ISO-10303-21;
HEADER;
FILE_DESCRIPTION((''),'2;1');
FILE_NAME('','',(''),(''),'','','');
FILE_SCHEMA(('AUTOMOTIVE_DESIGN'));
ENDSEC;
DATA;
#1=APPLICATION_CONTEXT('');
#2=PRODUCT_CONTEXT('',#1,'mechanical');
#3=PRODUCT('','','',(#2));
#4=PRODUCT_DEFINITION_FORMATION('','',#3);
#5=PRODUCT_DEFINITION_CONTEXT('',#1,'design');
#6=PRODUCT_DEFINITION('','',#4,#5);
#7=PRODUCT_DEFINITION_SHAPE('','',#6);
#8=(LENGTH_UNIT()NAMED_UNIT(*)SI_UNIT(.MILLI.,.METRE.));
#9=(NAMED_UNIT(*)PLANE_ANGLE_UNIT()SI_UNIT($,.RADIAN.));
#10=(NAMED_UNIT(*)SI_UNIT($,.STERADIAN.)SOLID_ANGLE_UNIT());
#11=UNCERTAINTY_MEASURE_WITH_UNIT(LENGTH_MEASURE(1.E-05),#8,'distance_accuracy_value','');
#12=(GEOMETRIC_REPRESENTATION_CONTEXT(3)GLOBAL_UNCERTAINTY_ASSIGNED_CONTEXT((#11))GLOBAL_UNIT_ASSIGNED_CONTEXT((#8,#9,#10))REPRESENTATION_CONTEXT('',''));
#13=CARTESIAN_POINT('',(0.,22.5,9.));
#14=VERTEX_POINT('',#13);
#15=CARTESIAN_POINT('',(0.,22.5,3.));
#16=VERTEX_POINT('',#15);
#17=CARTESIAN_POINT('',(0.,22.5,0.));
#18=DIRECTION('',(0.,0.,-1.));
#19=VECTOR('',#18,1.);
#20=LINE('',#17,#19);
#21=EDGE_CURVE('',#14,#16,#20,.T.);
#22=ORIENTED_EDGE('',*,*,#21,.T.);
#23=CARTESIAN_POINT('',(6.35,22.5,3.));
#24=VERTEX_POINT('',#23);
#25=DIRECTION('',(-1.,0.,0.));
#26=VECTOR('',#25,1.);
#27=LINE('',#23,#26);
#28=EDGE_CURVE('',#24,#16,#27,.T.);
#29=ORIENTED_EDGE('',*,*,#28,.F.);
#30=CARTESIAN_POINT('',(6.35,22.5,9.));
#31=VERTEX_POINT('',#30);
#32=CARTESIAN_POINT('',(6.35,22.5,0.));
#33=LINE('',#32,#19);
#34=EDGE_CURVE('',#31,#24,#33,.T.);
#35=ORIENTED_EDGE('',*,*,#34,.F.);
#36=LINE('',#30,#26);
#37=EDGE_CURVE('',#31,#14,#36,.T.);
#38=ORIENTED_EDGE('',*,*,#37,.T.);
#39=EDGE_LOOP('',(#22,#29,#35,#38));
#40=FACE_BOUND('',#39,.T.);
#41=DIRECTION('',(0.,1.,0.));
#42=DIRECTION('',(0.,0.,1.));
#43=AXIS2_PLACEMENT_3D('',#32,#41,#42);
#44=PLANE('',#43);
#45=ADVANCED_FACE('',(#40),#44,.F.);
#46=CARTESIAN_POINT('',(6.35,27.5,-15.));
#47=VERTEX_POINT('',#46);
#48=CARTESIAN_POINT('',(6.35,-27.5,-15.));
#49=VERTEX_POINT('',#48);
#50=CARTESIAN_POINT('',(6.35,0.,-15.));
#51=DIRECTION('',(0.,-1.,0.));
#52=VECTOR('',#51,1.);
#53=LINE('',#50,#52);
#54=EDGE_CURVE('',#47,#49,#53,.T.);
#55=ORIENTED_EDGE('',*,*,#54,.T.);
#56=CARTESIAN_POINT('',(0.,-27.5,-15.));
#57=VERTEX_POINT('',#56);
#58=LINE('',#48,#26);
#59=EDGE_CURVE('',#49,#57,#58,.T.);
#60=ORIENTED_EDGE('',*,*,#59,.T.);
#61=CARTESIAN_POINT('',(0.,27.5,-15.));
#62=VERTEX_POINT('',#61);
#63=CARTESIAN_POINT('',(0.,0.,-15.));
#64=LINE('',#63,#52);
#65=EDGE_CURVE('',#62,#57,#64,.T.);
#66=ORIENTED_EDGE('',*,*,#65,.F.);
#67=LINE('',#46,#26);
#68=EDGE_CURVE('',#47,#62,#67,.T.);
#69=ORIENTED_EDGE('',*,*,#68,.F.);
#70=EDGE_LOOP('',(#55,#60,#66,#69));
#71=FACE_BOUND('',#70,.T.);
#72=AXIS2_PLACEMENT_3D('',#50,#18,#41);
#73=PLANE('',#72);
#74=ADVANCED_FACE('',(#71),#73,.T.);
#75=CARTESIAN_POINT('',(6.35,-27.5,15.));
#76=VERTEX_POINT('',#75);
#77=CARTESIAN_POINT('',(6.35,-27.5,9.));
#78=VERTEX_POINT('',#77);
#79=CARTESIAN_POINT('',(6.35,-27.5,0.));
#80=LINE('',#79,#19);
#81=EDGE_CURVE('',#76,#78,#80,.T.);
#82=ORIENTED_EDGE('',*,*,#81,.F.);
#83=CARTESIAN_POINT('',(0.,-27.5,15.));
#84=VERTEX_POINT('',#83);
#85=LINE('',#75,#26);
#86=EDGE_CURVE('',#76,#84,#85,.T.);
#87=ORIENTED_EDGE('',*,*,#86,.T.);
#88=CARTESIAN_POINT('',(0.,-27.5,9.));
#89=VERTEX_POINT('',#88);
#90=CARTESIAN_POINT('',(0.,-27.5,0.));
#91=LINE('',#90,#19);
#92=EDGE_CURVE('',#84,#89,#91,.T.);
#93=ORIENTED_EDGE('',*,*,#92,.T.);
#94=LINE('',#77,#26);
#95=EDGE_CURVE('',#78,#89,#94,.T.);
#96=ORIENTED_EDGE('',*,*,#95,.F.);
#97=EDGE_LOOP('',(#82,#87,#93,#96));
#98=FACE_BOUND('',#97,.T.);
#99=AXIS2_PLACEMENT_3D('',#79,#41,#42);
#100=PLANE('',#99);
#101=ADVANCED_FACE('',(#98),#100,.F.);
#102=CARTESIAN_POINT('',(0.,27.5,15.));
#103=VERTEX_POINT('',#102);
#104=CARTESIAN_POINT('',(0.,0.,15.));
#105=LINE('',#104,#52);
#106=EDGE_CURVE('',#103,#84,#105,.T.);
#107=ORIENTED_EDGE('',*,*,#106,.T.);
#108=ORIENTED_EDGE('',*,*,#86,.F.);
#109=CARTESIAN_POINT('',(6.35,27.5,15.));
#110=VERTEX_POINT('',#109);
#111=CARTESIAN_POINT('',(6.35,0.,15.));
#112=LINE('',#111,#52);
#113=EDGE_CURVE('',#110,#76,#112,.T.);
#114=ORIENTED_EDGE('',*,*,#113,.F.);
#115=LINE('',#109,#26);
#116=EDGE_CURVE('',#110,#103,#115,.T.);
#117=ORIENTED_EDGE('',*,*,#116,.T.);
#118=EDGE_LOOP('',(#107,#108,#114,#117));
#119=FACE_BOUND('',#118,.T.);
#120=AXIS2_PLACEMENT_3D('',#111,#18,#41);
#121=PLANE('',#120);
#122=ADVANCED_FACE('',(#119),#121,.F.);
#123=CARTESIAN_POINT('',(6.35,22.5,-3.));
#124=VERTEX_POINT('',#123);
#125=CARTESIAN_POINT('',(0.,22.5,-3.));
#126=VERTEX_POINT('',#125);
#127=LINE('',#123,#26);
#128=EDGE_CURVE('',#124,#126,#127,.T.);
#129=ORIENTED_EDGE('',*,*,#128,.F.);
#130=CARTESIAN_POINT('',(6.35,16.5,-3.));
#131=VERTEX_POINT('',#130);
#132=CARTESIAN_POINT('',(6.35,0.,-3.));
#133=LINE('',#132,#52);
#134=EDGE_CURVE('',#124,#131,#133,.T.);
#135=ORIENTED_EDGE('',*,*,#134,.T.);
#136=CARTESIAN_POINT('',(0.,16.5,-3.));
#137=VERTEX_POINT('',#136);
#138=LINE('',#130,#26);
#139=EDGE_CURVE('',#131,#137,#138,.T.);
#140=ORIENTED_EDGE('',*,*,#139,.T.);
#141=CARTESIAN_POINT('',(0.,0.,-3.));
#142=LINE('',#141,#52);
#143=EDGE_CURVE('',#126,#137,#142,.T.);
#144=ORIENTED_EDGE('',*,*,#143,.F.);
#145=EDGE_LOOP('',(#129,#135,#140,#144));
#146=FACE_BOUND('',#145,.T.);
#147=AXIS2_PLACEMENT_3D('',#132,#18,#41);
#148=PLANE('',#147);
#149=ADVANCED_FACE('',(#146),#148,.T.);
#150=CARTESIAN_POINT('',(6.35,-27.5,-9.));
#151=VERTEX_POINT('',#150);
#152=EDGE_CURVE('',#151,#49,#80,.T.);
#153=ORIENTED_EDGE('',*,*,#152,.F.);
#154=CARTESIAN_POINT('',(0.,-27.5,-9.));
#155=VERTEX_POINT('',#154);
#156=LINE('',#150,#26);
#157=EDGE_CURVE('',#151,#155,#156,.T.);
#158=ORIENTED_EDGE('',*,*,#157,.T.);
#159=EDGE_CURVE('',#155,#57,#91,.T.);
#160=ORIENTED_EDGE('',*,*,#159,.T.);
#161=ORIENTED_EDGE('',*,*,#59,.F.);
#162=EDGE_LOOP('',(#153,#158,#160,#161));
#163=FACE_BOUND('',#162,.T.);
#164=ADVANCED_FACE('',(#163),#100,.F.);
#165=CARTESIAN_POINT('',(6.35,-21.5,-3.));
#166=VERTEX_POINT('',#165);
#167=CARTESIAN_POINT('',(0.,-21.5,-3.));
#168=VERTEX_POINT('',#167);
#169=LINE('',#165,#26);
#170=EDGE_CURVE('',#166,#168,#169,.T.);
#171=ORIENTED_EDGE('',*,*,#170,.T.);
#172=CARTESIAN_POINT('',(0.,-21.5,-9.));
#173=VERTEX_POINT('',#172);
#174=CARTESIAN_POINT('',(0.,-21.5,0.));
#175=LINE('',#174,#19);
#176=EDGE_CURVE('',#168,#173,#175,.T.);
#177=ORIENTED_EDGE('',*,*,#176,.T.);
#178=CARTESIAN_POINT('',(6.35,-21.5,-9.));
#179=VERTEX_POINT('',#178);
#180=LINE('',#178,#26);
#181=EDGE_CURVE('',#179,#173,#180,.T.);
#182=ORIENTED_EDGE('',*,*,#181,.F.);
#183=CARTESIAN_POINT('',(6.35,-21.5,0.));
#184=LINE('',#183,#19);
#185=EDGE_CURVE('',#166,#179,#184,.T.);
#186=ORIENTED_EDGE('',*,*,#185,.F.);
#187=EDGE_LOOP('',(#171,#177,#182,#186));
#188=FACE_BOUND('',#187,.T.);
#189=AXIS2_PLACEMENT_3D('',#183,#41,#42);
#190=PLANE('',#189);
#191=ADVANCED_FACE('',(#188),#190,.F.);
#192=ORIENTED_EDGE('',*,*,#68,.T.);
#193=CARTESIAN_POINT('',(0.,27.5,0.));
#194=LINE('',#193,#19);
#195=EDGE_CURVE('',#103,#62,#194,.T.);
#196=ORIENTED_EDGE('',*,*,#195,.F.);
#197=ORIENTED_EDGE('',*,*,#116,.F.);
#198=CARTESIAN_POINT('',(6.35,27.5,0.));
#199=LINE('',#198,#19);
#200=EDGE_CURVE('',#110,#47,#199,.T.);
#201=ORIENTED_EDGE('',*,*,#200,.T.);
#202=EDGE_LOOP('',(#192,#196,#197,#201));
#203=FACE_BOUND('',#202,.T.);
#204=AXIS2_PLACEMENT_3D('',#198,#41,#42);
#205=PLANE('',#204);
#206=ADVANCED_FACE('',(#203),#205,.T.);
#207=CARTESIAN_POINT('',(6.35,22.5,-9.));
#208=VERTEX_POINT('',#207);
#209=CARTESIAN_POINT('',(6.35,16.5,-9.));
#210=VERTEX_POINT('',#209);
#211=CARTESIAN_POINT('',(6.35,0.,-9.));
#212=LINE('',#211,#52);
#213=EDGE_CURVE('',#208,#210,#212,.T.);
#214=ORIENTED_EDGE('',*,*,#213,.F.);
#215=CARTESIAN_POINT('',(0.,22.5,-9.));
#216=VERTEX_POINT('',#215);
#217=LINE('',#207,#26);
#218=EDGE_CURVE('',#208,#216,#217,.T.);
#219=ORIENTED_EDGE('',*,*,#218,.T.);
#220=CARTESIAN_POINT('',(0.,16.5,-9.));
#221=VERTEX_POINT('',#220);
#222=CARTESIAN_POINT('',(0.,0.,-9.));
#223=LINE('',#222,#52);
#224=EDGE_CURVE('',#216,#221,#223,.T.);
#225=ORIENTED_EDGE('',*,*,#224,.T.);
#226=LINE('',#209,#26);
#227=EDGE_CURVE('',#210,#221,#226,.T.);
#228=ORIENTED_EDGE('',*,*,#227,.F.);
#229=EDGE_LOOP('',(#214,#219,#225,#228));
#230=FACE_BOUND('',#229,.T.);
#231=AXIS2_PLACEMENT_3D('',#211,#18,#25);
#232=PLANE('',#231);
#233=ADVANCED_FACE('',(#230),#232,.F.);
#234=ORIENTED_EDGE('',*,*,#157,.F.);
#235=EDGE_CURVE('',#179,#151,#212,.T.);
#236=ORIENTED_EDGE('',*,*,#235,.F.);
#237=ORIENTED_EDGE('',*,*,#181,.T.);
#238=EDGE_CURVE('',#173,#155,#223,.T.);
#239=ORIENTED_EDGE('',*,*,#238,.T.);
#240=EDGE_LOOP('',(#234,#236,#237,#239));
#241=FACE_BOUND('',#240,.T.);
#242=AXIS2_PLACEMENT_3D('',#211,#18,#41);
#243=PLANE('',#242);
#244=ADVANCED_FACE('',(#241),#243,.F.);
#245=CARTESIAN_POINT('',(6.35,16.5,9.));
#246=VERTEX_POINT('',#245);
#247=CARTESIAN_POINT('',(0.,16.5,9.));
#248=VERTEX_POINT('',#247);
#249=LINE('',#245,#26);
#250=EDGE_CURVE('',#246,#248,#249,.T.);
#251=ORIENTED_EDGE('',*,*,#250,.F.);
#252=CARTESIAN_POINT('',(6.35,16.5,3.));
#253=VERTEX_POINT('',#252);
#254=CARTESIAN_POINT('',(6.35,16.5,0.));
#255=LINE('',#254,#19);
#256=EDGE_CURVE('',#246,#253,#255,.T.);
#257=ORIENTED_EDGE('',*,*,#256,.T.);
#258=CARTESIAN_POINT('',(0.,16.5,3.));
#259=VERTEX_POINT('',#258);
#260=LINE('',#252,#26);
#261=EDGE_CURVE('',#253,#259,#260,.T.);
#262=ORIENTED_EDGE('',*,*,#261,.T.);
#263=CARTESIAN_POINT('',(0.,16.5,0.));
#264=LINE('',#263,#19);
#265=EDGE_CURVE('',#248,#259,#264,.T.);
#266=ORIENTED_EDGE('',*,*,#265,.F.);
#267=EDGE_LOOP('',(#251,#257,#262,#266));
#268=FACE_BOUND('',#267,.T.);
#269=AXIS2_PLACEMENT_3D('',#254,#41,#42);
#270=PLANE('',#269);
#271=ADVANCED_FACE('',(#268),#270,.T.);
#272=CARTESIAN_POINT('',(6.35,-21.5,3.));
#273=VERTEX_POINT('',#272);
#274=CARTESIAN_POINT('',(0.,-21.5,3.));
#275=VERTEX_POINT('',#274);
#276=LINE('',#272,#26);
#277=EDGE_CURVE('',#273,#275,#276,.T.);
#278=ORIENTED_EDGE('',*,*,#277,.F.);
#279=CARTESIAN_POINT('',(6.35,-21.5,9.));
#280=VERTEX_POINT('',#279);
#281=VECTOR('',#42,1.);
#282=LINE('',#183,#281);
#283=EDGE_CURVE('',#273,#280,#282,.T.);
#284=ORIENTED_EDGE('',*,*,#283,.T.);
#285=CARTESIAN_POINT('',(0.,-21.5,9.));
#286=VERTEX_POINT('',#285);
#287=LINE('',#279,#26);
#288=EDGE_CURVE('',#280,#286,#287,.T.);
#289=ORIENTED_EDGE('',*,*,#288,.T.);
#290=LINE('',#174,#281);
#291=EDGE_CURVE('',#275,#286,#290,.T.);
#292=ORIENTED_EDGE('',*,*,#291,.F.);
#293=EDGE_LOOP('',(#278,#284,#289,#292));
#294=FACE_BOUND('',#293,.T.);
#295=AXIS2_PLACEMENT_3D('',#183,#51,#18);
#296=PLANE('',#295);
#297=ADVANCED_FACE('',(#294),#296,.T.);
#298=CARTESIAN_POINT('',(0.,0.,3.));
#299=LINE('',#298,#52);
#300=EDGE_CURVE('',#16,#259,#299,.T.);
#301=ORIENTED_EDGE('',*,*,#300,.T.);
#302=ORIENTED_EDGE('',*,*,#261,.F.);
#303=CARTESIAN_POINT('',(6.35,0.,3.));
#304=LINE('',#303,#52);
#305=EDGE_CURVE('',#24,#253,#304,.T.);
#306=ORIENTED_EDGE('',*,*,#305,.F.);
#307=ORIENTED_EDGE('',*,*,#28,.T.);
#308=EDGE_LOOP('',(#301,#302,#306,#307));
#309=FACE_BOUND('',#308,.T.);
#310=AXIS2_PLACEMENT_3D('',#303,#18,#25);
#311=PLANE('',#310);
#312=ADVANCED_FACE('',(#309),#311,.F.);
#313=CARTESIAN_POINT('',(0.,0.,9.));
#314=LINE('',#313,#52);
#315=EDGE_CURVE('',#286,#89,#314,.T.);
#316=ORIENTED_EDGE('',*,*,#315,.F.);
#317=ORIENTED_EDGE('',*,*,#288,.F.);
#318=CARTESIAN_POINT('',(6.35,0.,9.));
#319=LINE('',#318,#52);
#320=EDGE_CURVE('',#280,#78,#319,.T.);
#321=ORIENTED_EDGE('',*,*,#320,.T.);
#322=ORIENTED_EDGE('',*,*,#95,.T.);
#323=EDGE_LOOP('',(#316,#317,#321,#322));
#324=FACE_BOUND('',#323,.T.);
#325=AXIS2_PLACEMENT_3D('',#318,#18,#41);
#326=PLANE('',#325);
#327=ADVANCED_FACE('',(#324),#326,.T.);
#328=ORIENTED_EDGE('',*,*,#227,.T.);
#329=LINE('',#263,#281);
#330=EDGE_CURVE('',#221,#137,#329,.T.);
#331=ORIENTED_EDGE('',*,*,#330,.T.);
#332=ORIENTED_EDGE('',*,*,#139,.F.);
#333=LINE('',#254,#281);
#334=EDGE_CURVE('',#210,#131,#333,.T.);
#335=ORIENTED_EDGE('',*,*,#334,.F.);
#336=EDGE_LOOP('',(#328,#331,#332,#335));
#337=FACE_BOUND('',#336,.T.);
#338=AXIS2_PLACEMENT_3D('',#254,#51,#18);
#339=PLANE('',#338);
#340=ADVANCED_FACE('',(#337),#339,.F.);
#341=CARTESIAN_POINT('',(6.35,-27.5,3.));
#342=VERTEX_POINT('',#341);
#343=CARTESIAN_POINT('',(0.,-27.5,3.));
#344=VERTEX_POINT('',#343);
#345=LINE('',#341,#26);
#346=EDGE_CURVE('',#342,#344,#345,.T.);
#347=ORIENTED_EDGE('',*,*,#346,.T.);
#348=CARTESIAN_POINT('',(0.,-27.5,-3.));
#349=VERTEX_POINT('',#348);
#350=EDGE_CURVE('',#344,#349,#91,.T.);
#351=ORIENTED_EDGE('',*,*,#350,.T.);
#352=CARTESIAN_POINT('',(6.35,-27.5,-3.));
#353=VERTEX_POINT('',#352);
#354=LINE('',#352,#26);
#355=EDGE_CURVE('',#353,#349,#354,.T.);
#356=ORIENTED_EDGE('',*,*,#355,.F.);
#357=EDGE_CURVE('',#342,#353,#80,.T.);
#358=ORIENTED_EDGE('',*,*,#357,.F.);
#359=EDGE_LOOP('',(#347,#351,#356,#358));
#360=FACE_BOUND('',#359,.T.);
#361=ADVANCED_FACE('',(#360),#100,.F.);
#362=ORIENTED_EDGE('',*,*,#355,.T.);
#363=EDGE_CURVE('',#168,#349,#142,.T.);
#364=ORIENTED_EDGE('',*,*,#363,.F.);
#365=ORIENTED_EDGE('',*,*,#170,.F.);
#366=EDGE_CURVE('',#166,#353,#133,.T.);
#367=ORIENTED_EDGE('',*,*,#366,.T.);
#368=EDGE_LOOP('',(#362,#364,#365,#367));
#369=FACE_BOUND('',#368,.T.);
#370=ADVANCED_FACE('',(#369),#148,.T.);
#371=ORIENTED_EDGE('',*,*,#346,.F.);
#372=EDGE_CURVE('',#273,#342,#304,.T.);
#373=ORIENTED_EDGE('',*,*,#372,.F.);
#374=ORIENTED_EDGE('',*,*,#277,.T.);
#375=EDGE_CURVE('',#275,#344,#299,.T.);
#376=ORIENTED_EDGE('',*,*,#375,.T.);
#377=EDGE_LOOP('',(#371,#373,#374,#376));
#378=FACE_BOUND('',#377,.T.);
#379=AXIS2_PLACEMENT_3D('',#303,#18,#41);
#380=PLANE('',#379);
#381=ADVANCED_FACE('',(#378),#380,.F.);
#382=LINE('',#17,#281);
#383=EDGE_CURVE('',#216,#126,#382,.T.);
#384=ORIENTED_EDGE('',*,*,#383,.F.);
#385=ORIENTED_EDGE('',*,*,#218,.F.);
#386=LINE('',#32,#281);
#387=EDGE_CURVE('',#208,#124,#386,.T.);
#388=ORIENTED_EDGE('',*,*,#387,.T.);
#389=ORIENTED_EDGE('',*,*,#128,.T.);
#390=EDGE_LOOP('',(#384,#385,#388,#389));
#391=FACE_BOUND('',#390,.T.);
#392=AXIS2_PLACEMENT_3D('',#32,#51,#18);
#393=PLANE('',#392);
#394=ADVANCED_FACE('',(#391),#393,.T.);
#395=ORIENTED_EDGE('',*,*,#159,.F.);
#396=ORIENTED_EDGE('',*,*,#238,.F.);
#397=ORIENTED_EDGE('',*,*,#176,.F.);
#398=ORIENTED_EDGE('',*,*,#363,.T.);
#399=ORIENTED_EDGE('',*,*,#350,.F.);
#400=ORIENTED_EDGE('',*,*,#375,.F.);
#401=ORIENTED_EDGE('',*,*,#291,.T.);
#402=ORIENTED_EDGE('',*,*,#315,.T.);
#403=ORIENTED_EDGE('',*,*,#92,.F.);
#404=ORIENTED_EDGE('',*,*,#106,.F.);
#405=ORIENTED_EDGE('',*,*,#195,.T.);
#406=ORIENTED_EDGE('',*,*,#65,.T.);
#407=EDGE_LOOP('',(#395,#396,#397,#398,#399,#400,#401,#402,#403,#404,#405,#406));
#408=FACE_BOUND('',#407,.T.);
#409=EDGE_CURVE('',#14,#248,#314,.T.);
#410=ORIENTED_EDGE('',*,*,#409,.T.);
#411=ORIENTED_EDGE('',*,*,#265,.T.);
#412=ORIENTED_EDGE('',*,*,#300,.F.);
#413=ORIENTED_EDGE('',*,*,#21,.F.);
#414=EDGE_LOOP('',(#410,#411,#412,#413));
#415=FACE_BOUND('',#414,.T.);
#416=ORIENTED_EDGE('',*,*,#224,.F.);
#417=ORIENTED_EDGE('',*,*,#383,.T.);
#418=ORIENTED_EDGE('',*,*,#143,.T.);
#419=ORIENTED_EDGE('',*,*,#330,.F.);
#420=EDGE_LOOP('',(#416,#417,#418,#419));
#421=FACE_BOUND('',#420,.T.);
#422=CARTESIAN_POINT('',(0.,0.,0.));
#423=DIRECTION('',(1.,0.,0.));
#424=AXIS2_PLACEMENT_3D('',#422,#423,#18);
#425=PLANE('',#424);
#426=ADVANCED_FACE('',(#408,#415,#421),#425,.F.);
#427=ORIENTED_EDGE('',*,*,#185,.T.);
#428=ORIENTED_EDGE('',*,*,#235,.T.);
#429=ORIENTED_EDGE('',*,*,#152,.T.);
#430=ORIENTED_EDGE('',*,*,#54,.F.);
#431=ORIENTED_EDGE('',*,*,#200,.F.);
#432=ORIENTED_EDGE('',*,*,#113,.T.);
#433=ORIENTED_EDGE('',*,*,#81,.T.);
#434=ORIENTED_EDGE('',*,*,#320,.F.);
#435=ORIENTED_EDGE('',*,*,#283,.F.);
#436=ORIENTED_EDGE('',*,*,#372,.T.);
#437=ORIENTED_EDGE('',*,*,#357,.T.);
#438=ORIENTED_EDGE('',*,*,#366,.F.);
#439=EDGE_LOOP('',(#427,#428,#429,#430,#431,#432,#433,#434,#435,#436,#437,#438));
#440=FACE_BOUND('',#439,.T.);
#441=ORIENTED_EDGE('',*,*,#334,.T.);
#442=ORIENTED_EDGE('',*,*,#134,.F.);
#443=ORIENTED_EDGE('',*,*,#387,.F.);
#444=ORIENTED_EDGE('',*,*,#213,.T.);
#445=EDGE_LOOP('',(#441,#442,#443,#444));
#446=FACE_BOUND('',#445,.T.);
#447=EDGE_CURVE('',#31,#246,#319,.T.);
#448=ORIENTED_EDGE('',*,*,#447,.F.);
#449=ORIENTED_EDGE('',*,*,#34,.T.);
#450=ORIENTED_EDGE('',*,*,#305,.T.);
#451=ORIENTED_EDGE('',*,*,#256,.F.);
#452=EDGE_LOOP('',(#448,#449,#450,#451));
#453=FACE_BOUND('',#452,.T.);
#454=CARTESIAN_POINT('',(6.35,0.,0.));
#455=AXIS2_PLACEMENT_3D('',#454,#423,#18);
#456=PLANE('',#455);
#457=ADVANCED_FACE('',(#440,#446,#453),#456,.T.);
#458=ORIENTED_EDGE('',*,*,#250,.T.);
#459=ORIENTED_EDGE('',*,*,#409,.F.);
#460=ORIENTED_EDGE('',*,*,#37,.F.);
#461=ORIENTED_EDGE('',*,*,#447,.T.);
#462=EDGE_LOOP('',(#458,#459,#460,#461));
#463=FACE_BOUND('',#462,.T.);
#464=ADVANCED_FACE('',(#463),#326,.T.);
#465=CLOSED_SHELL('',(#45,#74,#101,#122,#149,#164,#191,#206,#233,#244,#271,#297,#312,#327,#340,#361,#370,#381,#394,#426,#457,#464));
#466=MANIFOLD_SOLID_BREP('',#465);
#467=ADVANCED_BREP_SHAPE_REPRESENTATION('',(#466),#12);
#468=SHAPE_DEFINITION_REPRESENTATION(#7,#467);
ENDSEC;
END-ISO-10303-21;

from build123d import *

# Parameters (mm, degrees)
SKETCH1_W           = 6
SKETCH1_H           = 6
BOSS_EXTRUDE1_DEPTH = 6.35


with BuildPart() as part:
    # Sketch1 → Boss-Extrude1 (new body)
    with BuildSketch(Plane(origin=(0, 0, 0), x_dir=(0, 0, -1), z_dir=(1, 0, 0))):
        Polygon((-3, -21.5), (-3, -27.5), (3, -27.5), (3, -21.5), (9, -21.5), (9, -27.5), (15, -27.5), (15, 27.5), (-15, 27.5), (-15, -27.5), (-9, -27.5), (-9, -21.5), align=None)
        with Locations((6, 19.5)):
            Rectangle(SKETCH1_W, SKETCH1_H, mode=Mode.SUBTRACT)
        with Locations((-6, 19.5)):
            Rectangle(SKETCH1_W, SKETCH1_H, mode=Mode.SUBTRACT)
    extrude(amount=BOSS_EXTRUDE1_DEPTH)


solid = part.part
